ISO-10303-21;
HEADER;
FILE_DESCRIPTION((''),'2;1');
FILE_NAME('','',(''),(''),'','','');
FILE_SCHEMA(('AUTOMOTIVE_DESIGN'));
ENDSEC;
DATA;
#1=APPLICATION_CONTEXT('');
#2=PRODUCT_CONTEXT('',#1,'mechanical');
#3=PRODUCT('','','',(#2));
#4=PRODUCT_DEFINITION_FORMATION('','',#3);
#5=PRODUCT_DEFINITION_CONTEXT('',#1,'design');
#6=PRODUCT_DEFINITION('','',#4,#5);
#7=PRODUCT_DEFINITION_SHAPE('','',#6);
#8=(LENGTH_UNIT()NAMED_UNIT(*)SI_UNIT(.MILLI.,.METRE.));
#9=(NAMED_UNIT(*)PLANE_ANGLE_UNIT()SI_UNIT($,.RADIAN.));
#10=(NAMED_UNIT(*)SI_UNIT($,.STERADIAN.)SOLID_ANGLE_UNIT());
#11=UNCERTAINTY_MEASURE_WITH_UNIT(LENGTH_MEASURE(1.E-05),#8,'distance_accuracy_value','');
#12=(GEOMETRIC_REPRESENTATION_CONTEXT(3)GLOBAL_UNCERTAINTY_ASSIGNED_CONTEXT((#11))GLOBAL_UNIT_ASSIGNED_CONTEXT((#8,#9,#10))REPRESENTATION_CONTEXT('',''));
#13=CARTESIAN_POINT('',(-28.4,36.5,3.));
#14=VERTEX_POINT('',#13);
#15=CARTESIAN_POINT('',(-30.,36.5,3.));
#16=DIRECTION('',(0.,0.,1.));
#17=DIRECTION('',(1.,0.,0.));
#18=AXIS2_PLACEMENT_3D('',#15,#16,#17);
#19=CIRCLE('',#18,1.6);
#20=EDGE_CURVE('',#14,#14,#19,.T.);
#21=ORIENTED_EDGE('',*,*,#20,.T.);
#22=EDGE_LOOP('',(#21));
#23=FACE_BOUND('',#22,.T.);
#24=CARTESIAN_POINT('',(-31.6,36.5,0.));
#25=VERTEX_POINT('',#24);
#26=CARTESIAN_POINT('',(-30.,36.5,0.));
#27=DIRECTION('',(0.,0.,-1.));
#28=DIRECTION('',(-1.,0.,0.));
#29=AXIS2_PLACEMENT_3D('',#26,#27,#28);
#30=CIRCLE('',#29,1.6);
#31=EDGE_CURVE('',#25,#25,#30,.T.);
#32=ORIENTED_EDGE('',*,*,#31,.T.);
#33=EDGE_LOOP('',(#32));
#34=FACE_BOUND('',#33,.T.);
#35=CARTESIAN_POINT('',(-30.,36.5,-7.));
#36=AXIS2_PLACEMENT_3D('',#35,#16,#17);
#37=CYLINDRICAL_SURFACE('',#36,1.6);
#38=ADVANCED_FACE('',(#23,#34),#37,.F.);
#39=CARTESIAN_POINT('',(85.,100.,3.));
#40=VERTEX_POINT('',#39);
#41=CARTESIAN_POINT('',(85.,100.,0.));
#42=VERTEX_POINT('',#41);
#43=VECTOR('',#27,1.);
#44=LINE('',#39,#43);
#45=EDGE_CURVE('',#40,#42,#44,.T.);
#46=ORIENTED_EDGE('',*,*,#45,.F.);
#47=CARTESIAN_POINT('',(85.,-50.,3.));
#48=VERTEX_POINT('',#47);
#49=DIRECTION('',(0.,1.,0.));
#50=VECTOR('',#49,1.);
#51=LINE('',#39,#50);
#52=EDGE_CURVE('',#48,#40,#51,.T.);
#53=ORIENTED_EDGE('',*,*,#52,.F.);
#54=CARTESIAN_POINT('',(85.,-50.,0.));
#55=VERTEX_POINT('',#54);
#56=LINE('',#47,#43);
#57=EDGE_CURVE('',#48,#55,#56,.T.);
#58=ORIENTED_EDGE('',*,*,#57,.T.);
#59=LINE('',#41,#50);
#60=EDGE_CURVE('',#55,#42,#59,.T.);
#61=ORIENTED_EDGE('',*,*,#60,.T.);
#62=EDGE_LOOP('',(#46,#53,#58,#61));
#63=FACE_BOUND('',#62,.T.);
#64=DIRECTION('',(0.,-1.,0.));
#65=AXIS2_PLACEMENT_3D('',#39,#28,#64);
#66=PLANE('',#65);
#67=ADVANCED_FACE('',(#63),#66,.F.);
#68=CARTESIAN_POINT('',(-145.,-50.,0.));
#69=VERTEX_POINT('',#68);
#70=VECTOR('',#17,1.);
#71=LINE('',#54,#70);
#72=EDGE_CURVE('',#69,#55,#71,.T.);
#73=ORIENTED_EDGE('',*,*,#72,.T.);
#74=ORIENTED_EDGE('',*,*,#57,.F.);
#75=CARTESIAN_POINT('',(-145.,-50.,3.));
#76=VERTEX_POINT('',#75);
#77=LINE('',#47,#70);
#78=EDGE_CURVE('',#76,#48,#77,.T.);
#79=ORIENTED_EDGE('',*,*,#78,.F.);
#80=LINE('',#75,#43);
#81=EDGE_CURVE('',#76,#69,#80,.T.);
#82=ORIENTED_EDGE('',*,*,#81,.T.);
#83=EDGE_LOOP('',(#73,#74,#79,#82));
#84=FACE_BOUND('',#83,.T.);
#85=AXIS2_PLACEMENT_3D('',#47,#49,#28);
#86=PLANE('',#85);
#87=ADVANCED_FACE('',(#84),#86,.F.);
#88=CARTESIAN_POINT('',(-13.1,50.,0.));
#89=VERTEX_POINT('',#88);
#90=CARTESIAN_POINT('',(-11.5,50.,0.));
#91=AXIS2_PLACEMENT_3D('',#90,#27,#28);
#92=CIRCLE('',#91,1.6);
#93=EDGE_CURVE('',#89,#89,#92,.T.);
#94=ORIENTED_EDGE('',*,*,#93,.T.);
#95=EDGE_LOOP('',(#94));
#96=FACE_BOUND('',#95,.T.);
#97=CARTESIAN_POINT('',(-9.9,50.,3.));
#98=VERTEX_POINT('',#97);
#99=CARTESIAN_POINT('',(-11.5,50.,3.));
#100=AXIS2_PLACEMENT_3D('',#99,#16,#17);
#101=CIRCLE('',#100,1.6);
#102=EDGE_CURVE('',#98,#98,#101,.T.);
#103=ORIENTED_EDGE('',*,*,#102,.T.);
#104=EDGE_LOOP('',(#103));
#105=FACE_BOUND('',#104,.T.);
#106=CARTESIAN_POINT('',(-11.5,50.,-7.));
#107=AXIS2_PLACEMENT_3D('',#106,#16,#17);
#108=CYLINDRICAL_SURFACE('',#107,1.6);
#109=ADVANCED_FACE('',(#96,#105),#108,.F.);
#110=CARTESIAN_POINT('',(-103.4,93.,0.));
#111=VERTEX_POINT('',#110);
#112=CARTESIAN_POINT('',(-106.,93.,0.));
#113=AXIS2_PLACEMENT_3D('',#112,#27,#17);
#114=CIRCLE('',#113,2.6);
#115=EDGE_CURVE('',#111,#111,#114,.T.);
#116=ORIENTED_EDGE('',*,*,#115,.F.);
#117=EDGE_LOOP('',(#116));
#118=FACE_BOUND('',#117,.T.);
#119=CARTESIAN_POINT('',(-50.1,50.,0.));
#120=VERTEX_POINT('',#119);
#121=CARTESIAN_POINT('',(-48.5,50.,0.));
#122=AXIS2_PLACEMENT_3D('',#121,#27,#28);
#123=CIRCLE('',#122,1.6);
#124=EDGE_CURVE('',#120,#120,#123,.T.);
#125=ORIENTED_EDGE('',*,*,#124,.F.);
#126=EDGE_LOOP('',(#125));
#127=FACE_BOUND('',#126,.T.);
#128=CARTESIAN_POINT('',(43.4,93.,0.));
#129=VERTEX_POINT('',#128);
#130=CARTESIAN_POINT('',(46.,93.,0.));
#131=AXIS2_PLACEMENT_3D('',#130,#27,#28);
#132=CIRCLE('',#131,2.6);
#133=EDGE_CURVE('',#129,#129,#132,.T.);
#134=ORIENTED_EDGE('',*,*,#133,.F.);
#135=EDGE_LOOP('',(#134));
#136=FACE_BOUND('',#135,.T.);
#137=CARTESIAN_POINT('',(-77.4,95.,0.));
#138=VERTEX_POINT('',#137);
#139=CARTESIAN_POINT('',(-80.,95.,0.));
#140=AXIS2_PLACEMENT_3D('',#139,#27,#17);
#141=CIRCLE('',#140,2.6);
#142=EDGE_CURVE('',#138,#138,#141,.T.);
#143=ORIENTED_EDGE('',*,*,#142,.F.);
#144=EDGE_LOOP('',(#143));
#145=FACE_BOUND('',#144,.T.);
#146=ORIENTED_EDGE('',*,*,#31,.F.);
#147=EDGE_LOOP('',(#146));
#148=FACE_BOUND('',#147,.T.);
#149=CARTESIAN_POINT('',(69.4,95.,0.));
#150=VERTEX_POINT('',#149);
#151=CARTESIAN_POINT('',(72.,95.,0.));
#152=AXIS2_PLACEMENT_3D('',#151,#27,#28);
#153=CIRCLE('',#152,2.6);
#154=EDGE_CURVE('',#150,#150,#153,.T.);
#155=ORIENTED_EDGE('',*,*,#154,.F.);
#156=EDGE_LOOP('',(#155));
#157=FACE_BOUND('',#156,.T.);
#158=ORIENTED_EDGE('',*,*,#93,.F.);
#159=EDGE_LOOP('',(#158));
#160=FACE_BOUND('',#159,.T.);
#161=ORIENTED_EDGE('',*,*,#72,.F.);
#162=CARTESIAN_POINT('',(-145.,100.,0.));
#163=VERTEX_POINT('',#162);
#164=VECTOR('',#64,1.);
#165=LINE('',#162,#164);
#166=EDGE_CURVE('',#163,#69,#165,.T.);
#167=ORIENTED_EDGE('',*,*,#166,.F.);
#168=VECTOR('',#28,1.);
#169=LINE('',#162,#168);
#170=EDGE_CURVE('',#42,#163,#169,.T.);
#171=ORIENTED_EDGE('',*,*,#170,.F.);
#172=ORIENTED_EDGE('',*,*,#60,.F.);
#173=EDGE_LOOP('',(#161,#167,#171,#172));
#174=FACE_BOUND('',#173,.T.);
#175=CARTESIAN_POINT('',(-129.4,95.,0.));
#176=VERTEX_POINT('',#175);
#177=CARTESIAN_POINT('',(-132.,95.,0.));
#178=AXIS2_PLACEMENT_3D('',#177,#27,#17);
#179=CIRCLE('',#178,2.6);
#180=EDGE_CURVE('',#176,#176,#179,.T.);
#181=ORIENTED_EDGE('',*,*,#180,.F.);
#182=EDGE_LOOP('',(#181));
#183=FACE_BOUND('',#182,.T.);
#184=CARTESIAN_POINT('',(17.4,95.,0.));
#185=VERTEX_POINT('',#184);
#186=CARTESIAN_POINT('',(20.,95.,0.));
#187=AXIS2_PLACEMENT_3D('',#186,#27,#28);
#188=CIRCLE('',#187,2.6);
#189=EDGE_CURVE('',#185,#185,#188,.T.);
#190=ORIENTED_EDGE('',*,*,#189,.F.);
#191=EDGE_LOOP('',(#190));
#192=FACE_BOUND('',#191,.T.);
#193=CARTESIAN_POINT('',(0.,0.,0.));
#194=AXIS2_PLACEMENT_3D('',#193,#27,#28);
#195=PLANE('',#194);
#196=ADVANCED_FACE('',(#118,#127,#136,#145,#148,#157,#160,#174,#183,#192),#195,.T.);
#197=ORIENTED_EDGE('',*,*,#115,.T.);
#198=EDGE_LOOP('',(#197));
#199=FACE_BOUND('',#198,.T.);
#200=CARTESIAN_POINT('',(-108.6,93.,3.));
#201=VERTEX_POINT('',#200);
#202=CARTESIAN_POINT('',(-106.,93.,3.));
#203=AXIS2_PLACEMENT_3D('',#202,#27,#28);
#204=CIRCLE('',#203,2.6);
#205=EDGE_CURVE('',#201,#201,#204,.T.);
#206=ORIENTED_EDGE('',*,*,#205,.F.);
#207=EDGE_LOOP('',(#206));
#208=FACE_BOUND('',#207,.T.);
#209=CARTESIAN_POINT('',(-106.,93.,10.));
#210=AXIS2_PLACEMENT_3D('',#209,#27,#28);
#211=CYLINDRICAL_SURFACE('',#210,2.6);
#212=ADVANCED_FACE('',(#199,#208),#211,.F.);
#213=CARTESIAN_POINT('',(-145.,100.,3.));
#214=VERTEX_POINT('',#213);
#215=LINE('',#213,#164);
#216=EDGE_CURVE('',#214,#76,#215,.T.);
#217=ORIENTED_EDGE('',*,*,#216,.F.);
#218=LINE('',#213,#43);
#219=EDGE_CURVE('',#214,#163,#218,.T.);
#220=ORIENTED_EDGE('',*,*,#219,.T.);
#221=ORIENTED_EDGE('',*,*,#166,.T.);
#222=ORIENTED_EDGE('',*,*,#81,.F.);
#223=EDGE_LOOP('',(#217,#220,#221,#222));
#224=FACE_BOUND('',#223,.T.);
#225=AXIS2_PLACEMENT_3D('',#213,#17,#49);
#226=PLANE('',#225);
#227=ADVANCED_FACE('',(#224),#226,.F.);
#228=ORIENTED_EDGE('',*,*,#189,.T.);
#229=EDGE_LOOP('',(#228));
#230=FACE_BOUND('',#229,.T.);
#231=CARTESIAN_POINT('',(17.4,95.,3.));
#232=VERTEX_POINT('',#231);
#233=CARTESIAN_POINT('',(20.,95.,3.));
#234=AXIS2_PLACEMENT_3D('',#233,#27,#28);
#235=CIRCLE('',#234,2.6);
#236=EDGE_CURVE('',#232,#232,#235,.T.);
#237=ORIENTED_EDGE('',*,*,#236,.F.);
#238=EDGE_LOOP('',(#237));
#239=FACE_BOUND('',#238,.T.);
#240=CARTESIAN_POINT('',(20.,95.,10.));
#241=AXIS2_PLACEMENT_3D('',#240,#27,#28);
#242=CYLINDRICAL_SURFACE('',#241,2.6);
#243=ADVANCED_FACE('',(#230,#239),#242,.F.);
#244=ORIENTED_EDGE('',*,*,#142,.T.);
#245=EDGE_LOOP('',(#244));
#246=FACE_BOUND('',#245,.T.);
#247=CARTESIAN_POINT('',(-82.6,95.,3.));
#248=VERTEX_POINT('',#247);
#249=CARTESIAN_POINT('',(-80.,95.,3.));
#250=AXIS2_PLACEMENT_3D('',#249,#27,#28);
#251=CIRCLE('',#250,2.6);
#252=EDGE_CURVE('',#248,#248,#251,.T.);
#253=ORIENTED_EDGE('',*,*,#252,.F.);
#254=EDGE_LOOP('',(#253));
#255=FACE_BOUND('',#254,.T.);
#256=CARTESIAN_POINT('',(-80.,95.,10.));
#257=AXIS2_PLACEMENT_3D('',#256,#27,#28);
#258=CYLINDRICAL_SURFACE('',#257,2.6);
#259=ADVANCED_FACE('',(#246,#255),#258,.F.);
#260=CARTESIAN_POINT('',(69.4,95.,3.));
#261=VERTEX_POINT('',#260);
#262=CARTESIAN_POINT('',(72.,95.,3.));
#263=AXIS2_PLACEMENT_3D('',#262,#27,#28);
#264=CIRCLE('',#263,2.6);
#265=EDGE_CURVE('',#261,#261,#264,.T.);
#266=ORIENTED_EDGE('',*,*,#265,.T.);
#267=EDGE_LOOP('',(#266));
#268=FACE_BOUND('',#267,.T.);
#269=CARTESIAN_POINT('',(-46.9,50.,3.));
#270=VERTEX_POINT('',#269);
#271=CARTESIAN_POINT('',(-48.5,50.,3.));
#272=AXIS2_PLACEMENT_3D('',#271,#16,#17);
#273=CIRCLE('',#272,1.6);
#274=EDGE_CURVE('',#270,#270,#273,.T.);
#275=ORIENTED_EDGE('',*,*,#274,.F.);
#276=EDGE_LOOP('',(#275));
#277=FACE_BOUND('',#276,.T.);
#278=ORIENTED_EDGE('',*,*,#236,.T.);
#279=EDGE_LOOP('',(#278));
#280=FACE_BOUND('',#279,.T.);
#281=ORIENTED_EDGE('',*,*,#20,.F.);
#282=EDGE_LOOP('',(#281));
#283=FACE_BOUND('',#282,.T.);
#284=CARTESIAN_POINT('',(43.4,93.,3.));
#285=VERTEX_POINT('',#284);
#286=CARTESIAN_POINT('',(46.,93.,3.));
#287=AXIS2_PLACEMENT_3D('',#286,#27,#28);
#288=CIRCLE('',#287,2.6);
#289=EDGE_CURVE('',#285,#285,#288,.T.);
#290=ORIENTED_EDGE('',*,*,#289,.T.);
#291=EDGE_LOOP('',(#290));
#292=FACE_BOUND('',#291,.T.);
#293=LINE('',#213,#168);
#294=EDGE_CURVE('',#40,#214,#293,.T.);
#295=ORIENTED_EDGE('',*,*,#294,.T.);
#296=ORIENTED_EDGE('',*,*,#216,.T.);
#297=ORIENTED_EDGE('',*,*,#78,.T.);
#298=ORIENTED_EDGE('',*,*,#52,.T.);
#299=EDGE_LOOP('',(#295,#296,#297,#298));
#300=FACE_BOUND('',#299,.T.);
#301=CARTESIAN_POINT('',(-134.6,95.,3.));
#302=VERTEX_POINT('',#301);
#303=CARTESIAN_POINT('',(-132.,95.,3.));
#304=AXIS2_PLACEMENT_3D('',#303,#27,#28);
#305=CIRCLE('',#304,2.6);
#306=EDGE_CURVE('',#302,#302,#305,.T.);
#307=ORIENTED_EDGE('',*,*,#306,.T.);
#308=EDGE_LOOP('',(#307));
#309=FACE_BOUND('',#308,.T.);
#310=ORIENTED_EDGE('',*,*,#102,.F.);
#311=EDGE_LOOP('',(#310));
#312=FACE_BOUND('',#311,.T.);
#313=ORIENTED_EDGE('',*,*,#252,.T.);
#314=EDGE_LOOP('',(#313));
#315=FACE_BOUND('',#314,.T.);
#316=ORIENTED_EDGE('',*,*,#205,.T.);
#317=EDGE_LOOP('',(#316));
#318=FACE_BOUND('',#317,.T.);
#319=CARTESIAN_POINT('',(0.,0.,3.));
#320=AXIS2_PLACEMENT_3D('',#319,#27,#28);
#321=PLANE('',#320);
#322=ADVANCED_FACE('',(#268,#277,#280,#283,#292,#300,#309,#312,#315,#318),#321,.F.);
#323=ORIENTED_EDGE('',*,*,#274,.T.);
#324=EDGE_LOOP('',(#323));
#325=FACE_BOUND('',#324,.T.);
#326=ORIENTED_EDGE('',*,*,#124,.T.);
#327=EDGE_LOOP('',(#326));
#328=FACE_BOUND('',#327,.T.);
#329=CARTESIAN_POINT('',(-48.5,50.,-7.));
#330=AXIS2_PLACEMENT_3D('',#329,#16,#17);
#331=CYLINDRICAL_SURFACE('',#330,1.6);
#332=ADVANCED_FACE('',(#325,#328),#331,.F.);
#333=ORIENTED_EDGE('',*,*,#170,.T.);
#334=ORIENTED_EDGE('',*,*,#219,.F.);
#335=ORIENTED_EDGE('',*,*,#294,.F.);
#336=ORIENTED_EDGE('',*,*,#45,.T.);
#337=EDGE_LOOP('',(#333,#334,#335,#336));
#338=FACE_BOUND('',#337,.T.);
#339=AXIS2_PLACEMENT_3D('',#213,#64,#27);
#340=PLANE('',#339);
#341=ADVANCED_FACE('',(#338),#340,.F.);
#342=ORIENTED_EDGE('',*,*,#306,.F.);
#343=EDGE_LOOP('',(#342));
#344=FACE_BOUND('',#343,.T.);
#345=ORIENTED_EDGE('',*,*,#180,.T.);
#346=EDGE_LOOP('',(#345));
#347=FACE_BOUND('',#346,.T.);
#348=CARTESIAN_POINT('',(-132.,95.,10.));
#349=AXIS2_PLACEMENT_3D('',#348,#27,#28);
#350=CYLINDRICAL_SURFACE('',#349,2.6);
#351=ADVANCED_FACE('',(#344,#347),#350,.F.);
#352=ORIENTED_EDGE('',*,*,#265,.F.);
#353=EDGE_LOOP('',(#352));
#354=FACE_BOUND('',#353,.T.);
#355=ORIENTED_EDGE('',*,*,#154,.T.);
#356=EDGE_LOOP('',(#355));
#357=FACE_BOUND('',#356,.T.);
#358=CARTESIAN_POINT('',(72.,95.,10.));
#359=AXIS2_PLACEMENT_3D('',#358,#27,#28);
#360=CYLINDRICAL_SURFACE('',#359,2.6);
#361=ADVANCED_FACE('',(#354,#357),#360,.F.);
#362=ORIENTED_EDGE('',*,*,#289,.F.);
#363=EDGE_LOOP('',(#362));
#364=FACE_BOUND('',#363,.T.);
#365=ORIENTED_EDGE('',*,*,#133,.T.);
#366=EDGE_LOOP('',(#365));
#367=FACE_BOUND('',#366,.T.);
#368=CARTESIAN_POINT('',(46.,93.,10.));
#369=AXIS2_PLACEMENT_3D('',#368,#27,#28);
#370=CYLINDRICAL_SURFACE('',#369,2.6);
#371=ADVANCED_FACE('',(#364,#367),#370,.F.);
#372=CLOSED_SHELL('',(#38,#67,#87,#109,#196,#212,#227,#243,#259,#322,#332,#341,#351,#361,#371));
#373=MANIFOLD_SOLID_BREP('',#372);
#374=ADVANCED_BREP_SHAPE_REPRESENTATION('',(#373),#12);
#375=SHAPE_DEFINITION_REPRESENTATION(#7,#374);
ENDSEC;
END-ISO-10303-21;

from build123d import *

# Parameters (mm, degrees)
SKETCH_1_W          = 230
SKETCH_1_H          = 150
EXTRUDE_1_DEPTH     = 3
SKETCH_7_R          = 2.6
CUT_EXTRUDE_4_DEPTH = 10
SKETCH1_R           = 1.6
CUT_EXTRUDE1_DEPTH  = 10


with BuildPart() as part:
    # 草图1 → 凸台-拉伸1 (new body)
    with BuildSketch(Plane.XY):
        with Locations((-30, 25)):
            Rectangle(SKETCH_1_W, SKETCH_1_H)
    extrude(amount=EXTRUDE_1_DEPTH)

    # 草图7 → 切除-拉伸4 (cut)
    with BuildSketch(Plane(origin=(0, 0, 0), x_dir=(-1, 0, 0), z_dir=(0, 0, -1))):
        with Locations((-20, 95)):
            Circle(SKETCH_7_R)
        with Locations((-72, 95)):
            Circle(SKETCH_7_R)
        with Locations((-46, 93)):
            Circle(SKETCH_7_R)
        with Locations((132, 95)):
            Circle(SKETCH_7_R)
        with Locations((106, 93)):
            Circle(SKETCH_7_R)
        with Locations((80, 95)):
            Circle(SKETCH_7_R)
    extrude(amount=-CUT_EXTRUDE_4_DEPTH, mode=Mode.SUBTRACT)

    # Sketch1 → Cut-Extrude1 (cut)
    with BuildSketch(Plane.XY.offset(3)):
        with Locations((-30, 36.5)):
            Circle(SKETCH1_R)
        with Locations((-11.5, 50)):
            Circle(SKETCH1_R)
        with Locations((-48.5, 50)):
            Circle(SKETCH1_R)
    extrude(amount=-CUT_EXTRUDE1_DEPTH, mode=Mode.SUBTRACT)


solid = part.part
